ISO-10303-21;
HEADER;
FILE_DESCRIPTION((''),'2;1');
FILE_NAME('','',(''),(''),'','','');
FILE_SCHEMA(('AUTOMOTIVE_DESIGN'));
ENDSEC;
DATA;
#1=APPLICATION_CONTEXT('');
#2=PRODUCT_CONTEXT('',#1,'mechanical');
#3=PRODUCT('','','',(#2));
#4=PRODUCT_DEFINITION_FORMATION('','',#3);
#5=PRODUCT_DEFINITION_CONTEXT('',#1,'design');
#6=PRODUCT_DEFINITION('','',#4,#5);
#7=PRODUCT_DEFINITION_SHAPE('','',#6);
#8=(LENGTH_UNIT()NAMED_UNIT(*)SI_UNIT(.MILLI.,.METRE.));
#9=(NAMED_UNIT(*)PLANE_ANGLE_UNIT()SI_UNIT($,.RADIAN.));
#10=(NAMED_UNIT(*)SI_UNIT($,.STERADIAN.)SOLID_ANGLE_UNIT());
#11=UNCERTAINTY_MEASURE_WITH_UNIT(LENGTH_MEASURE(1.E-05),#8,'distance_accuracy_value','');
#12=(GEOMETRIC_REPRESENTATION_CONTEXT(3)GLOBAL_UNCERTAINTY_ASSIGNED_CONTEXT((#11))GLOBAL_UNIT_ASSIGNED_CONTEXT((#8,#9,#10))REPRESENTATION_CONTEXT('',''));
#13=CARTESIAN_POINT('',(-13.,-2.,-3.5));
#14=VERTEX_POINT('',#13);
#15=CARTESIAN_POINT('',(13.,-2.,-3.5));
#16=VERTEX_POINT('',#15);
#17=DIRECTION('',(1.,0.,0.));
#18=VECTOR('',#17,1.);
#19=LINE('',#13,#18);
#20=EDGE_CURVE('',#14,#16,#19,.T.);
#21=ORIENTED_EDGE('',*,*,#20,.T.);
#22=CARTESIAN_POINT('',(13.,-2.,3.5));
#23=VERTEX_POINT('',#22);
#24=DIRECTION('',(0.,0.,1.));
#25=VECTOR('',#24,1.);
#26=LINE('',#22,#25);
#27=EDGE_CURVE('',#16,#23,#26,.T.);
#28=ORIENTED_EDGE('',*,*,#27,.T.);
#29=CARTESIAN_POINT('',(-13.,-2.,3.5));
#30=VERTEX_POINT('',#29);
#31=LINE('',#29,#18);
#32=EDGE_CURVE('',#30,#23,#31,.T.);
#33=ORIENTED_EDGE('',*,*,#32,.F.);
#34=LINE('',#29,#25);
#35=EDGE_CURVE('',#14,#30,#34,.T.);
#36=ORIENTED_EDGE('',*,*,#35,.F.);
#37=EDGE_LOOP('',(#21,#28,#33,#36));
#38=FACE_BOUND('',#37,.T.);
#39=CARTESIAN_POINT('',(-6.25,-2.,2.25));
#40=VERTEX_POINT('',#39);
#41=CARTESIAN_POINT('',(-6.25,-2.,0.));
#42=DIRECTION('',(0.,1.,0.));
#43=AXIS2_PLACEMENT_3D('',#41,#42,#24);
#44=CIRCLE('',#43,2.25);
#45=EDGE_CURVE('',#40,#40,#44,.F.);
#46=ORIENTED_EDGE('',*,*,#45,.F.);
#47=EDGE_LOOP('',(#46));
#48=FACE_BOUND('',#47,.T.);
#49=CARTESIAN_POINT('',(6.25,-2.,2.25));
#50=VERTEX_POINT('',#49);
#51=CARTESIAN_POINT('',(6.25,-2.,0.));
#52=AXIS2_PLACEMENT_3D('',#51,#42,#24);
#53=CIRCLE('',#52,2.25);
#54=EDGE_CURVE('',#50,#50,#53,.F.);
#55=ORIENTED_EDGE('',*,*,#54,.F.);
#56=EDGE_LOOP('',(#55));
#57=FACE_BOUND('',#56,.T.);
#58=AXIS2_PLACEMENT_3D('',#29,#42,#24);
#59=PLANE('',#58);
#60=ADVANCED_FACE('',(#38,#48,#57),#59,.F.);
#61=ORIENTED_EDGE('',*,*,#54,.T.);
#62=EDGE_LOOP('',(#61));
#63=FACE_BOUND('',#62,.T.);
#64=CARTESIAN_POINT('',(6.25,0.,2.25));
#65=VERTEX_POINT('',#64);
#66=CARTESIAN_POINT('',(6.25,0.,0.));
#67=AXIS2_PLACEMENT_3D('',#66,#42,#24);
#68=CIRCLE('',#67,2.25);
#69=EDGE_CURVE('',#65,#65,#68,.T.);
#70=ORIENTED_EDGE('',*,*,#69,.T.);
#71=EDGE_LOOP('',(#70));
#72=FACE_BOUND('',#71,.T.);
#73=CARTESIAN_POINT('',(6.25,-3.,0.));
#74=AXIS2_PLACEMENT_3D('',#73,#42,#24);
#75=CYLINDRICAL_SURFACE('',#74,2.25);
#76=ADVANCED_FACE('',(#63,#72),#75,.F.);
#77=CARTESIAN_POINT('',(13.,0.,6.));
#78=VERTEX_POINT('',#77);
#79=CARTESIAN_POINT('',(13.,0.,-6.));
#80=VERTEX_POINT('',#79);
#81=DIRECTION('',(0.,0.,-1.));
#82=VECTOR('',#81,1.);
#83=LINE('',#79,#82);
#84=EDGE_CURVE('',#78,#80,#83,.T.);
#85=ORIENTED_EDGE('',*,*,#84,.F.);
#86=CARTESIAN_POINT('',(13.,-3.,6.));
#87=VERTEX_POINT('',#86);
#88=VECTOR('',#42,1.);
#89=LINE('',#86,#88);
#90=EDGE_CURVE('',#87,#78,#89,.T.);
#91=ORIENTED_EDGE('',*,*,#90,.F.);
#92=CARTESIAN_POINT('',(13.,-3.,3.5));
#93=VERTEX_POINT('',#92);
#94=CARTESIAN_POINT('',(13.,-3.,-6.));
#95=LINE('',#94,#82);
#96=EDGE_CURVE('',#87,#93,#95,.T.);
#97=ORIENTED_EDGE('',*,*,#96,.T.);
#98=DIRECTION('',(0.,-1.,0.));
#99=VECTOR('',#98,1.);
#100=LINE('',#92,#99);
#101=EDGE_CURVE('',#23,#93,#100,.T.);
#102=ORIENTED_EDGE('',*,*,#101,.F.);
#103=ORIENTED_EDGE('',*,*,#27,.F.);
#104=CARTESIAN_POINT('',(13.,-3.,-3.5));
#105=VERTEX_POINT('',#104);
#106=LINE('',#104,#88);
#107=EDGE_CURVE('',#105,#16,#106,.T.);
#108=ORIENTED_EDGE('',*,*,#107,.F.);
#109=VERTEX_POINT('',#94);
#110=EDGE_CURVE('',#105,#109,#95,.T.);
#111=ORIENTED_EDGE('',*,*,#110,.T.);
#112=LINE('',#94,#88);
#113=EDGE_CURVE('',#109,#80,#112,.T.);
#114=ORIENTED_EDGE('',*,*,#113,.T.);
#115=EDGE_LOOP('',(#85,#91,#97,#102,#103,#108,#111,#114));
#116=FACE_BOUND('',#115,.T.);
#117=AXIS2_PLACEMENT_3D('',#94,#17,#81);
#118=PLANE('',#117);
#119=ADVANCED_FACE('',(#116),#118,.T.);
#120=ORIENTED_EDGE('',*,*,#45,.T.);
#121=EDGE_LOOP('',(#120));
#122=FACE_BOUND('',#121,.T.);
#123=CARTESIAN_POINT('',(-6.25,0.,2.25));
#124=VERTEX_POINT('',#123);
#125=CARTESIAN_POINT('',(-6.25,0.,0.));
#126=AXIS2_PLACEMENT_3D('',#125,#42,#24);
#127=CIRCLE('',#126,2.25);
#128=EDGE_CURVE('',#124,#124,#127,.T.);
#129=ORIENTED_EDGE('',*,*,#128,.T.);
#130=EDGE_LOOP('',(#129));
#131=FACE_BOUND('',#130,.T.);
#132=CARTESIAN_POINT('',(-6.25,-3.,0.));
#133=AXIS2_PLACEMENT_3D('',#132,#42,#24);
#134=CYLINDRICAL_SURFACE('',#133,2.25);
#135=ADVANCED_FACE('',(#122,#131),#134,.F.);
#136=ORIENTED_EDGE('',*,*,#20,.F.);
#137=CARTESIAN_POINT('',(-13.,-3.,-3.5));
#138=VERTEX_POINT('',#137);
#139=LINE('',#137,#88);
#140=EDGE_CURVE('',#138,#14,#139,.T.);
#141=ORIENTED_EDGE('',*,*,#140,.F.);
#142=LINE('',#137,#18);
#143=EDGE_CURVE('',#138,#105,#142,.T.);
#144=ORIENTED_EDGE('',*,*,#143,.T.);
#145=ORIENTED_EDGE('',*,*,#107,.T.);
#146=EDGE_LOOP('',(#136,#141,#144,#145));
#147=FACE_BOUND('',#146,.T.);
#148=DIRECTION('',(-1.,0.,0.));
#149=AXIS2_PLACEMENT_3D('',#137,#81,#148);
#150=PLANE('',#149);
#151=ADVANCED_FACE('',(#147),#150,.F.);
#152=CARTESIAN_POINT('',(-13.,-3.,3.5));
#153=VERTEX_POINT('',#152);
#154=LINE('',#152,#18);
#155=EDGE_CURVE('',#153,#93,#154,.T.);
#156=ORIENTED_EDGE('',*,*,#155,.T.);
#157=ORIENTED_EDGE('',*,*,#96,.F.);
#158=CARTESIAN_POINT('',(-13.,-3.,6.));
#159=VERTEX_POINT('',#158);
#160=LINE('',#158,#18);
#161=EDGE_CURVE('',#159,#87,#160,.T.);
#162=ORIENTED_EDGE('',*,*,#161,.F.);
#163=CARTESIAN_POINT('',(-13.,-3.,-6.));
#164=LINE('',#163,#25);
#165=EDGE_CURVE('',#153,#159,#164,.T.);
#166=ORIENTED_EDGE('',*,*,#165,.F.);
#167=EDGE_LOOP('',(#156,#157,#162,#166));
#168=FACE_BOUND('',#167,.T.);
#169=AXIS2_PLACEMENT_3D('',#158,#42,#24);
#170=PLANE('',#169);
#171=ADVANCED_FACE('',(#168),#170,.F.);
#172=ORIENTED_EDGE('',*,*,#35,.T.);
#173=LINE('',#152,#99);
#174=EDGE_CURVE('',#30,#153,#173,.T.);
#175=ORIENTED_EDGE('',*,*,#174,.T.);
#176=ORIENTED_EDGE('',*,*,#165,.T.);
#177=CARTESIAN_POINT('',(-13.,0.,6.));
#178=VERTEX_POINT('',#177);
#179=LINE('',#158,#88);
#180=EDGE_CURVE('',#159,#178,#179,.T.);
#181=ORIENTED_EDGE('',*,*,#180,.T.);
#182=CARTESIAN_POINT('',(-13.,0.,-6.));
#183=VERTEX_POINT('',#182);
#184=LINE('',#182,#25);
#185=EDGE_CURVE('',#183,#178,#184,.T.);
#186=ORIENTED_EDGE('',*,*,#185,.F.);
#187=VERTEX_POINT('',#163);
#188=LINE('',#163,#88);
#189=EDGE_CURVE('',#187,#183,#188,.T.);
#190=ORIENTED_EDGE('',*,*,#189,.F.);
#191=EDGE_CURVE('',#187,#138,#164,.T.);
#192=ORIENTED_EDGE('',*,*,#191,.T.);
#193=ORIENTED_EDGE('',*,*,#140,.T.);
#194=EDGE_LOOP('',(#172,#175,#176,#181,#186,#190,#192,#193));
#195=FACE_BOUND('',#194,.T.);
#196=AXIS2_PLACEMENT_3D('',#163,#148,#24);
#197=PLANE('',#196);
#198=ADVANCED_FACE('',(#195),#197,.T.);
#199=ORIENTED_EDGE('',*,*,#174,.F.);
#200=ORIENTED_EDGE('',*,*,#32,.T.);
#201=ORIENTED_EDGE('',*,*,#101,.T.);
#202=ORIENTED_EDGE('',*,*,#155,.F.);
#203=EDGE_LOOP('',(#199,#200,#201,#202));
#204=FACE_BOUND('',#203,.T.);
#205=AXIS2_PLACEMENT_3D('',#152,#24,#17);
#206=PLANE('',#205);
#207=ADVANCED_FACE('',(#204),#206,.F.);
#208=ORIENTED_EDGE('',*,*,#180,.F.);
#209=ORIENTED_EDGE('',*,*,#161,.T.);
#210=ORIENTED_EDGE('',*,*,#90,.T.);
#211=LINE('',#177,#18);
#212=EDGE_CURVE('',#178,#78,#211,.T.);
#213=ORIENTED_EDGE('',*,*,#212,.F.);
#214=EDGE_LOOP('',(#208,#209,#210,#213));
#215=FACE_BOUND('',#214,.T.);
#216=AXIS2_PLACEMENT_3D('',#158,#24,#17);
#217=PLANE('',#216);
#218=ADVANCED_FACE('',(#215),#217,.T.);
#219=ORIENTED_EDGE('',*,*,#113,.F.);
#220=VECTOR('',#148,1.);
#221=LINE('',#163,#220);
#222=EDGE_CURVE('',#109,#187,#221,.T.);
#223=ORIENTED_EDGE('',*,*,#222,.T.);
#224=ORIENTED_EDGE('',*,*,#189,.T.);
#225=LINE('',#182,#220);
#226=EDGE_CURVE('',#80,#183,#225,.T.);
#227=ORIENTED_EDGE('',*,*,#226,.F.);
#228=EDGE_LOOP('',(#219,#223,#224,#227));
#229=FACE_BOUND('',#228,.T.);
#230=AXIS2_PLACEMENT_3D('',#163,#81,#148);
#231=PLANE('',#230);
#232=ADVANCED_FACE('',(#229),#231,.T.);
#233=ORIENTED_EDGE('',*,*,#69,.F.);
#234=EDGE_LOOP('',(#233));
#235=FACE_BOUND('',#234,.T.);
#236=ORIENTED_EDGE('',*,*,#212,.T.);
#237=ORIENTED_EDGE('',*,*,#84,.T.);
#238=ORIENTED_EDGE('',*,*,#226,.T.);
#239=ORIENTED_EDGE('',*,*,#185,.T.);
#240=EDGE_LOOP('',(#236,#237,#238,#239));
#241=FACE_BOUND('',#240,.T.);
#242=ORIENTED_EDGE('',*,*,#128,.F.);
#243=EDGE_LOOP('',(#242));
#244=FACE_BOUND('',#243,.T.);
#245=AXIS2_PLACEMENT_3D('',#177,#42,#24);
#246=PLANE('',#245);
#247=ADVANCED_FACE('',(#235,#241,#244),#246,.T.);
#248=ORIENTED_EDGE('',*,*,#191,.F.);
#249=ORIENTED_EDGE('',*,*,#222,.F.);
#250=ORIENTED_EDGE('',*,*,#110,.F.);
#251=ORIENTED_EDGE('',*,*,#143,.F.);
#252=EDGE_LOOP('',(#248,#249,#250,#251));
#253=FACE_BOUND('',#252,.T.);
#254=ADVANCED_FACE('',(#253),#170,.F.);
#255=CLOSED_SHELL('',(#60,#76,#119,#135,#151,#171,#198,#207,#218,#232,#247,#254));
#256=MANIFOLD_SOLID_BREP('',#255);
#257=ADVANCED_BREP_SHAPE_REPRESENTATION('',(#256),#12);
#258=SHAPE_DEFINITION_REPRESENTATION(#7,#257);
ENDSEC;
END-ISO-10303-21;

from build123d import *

# Parameters (mm, degrees)
SKETCH1_W      = 26
SKETCH1_H      = 12
EXTRUDE1_DEPTH = 3
SKETCH2_R      = 2.25
EXTRUDE2_DEPTH = 4
SKETCH3_W      = 7
SKETCH3_H      = 1
EXTRUDE3_DEPTH = 27


with BuildPart() as part:
    # Sketch1 → Extrude1 (new body)
    with BuildSketch(Plane(origin=(0, 0, 0), x_dir=(1, 0, 0), z_dir=(0, 1, 0))):
        Rectangle(SKETCH1_W, SKETCH1_H)
    extrude(amount=-EXTRUDE1_DEPTH)

    # Sketch2 → Extrude2 (cut, through all)
    with BuildSketch(Plane(origin=(0, 0, 0), x_dir=(1, 0, 0), z_dir=(0, 1, 0))):
        with Locations(Location((-6.25, 0, 0), (0, 0, 270))):  # turned: the seam where the file's is
            Circle(SKETCH2_R)
        with Locations(Location((6.25, 0, 0), (0, 0, 270))):  # turned: the seam where the file's is
            Circle(SKETCH2_R)
    extrude(amount=-EXTRUDE2_DEPTH, mode=Mode.SUBTRACT)

    # Sketch3 → Extrude3 (cut, through all)
    with BuildSketch(Plane(origin=(13, 0, 0), x_dir=(0, 0, -1), z_dir=(1, 0, 0))):
        with Locations((0, -2.5)):
            Rectangle(SKETCH3_W, SKETCH3_H)
    extrude(amount=-EXTRUDE3_DEPTH, mode=Mode.SUBTRACT)


solid = part.part
